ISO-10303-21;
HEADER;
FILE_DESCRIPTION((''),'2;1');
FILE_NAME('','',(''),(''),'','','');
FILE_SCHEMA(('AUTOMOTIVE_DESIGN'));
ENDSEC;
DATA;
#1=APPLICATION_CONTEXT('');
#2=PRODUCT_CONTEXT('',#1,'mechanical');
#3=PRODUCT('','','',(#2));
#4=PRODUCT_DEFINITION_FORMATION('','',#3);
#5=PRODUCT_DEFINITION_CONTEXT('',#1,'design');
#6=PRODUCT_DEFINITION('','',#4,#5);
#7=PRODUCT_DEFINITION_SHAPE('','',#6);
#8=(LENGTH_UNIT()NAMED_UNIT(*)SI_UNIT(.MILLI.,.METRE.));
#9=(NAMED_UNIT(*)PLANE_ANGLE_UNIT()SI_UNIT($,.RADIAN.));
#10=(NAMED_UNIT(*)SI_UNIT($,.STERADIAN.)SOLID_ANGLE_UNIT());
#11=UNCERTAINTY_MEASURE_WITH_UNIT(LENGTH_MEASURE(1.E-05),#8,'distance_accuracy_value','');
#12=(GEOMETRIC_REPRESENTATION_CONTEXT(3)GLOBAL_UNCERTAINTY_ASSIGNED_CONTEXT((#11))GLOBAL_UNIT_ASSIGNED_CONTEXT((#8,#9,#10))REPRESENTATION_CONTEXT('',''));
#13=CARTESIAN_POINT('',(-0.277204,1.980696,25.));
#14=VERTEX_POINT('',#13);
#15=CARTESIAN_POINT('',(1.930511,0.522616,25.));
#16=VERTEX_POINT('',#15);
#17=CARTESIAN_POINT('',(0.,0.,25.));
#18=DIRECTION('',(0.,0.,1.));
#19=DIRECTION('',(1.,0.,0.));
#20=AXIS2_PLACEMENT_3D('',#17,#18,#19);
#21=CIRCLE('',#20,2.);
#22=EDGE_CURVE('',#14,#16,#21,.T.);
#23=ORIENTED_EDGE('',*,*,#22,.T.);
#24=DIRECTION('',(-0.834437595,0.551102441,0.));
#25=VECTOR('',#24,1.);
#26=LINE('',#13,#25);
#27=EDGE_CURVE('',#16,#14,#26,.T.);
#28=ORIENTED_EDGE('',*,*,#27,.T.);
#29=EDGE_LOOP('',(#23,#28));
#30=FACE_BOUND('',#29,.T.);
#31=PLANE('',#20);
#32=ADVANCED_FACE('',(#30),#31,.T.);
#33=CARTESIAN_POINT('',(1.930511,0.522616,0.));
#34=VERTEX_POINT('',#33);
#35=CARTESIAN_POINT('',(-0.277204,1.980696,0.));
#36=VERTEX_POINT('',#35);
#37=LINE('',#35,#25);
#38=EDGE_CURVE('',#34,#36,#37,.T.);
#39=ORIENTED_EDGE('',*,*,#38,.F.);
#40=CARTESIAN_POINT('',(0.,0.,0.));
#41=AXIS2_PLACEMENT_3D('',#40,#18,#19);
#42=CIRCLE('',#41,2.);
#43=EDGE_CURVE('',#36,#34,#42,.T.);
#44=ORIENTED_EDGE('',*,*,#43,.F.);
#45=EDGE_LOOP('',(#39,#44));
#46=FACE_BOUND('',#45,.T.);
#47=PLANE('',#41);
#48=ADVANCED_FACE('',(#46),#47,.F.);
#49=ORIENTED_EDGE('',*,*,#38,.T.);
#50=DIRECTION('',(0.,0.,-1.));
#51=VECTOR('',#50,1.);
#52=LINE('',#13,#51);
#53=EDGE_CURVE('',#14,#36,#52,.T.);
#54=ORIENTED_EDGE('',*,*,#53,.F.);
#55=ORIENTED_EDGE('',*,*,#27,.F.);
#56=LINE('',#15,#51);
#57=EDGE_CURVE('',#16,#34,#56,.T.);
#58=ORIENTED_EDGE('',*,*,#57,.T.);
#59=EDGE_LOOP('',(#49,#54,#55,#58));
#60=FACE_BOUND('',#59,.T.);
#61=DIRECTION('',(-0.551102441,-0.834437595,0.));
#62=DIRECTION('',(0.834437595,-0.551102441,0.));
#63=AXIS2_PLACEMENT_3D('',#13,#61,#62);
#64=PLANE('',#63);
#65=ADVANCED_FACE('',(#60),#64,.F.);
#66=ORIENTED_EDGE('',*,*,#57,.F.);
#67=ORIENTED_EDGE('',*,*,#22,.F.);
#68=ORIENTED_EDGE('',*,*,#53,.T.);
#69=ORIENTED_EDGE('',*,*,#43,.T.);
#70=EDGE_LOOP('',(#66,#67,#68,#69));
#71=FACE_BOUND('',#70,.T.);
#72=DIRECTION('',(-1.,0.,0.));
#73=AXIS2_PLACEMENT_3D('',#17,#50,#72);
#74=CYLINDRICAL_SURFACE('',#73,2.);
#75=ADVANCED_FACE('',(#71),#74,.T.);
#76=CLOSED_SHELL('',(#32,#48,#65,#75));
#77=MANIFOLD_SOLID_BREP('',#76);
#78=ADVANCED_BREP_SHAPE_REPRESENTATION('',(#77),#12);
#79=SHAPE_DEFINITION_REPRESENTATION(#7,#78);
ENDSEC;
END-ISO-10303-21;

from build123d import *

# Parameters (mm, degrees)
BOSS_EXTRUDE1_DEPTH = 25


with BuildPart() as part:
    # Sketch1 → Boss-Extrude1 (new body)
    with BuildSketch(Plane.XY):
        with BuildLine():
            Line((-0.277203518, 1.980696395), (1.930510842, 0.522616389))
            ThreePointArc((1.930510842, 0.522616389), (-1.102204882, -1.668875189), (-0.277203518, 1.980696395))
        make_face()
    extrude(amount=BOSS_EXTRUDE1_DEPTH)


solid = part.part
